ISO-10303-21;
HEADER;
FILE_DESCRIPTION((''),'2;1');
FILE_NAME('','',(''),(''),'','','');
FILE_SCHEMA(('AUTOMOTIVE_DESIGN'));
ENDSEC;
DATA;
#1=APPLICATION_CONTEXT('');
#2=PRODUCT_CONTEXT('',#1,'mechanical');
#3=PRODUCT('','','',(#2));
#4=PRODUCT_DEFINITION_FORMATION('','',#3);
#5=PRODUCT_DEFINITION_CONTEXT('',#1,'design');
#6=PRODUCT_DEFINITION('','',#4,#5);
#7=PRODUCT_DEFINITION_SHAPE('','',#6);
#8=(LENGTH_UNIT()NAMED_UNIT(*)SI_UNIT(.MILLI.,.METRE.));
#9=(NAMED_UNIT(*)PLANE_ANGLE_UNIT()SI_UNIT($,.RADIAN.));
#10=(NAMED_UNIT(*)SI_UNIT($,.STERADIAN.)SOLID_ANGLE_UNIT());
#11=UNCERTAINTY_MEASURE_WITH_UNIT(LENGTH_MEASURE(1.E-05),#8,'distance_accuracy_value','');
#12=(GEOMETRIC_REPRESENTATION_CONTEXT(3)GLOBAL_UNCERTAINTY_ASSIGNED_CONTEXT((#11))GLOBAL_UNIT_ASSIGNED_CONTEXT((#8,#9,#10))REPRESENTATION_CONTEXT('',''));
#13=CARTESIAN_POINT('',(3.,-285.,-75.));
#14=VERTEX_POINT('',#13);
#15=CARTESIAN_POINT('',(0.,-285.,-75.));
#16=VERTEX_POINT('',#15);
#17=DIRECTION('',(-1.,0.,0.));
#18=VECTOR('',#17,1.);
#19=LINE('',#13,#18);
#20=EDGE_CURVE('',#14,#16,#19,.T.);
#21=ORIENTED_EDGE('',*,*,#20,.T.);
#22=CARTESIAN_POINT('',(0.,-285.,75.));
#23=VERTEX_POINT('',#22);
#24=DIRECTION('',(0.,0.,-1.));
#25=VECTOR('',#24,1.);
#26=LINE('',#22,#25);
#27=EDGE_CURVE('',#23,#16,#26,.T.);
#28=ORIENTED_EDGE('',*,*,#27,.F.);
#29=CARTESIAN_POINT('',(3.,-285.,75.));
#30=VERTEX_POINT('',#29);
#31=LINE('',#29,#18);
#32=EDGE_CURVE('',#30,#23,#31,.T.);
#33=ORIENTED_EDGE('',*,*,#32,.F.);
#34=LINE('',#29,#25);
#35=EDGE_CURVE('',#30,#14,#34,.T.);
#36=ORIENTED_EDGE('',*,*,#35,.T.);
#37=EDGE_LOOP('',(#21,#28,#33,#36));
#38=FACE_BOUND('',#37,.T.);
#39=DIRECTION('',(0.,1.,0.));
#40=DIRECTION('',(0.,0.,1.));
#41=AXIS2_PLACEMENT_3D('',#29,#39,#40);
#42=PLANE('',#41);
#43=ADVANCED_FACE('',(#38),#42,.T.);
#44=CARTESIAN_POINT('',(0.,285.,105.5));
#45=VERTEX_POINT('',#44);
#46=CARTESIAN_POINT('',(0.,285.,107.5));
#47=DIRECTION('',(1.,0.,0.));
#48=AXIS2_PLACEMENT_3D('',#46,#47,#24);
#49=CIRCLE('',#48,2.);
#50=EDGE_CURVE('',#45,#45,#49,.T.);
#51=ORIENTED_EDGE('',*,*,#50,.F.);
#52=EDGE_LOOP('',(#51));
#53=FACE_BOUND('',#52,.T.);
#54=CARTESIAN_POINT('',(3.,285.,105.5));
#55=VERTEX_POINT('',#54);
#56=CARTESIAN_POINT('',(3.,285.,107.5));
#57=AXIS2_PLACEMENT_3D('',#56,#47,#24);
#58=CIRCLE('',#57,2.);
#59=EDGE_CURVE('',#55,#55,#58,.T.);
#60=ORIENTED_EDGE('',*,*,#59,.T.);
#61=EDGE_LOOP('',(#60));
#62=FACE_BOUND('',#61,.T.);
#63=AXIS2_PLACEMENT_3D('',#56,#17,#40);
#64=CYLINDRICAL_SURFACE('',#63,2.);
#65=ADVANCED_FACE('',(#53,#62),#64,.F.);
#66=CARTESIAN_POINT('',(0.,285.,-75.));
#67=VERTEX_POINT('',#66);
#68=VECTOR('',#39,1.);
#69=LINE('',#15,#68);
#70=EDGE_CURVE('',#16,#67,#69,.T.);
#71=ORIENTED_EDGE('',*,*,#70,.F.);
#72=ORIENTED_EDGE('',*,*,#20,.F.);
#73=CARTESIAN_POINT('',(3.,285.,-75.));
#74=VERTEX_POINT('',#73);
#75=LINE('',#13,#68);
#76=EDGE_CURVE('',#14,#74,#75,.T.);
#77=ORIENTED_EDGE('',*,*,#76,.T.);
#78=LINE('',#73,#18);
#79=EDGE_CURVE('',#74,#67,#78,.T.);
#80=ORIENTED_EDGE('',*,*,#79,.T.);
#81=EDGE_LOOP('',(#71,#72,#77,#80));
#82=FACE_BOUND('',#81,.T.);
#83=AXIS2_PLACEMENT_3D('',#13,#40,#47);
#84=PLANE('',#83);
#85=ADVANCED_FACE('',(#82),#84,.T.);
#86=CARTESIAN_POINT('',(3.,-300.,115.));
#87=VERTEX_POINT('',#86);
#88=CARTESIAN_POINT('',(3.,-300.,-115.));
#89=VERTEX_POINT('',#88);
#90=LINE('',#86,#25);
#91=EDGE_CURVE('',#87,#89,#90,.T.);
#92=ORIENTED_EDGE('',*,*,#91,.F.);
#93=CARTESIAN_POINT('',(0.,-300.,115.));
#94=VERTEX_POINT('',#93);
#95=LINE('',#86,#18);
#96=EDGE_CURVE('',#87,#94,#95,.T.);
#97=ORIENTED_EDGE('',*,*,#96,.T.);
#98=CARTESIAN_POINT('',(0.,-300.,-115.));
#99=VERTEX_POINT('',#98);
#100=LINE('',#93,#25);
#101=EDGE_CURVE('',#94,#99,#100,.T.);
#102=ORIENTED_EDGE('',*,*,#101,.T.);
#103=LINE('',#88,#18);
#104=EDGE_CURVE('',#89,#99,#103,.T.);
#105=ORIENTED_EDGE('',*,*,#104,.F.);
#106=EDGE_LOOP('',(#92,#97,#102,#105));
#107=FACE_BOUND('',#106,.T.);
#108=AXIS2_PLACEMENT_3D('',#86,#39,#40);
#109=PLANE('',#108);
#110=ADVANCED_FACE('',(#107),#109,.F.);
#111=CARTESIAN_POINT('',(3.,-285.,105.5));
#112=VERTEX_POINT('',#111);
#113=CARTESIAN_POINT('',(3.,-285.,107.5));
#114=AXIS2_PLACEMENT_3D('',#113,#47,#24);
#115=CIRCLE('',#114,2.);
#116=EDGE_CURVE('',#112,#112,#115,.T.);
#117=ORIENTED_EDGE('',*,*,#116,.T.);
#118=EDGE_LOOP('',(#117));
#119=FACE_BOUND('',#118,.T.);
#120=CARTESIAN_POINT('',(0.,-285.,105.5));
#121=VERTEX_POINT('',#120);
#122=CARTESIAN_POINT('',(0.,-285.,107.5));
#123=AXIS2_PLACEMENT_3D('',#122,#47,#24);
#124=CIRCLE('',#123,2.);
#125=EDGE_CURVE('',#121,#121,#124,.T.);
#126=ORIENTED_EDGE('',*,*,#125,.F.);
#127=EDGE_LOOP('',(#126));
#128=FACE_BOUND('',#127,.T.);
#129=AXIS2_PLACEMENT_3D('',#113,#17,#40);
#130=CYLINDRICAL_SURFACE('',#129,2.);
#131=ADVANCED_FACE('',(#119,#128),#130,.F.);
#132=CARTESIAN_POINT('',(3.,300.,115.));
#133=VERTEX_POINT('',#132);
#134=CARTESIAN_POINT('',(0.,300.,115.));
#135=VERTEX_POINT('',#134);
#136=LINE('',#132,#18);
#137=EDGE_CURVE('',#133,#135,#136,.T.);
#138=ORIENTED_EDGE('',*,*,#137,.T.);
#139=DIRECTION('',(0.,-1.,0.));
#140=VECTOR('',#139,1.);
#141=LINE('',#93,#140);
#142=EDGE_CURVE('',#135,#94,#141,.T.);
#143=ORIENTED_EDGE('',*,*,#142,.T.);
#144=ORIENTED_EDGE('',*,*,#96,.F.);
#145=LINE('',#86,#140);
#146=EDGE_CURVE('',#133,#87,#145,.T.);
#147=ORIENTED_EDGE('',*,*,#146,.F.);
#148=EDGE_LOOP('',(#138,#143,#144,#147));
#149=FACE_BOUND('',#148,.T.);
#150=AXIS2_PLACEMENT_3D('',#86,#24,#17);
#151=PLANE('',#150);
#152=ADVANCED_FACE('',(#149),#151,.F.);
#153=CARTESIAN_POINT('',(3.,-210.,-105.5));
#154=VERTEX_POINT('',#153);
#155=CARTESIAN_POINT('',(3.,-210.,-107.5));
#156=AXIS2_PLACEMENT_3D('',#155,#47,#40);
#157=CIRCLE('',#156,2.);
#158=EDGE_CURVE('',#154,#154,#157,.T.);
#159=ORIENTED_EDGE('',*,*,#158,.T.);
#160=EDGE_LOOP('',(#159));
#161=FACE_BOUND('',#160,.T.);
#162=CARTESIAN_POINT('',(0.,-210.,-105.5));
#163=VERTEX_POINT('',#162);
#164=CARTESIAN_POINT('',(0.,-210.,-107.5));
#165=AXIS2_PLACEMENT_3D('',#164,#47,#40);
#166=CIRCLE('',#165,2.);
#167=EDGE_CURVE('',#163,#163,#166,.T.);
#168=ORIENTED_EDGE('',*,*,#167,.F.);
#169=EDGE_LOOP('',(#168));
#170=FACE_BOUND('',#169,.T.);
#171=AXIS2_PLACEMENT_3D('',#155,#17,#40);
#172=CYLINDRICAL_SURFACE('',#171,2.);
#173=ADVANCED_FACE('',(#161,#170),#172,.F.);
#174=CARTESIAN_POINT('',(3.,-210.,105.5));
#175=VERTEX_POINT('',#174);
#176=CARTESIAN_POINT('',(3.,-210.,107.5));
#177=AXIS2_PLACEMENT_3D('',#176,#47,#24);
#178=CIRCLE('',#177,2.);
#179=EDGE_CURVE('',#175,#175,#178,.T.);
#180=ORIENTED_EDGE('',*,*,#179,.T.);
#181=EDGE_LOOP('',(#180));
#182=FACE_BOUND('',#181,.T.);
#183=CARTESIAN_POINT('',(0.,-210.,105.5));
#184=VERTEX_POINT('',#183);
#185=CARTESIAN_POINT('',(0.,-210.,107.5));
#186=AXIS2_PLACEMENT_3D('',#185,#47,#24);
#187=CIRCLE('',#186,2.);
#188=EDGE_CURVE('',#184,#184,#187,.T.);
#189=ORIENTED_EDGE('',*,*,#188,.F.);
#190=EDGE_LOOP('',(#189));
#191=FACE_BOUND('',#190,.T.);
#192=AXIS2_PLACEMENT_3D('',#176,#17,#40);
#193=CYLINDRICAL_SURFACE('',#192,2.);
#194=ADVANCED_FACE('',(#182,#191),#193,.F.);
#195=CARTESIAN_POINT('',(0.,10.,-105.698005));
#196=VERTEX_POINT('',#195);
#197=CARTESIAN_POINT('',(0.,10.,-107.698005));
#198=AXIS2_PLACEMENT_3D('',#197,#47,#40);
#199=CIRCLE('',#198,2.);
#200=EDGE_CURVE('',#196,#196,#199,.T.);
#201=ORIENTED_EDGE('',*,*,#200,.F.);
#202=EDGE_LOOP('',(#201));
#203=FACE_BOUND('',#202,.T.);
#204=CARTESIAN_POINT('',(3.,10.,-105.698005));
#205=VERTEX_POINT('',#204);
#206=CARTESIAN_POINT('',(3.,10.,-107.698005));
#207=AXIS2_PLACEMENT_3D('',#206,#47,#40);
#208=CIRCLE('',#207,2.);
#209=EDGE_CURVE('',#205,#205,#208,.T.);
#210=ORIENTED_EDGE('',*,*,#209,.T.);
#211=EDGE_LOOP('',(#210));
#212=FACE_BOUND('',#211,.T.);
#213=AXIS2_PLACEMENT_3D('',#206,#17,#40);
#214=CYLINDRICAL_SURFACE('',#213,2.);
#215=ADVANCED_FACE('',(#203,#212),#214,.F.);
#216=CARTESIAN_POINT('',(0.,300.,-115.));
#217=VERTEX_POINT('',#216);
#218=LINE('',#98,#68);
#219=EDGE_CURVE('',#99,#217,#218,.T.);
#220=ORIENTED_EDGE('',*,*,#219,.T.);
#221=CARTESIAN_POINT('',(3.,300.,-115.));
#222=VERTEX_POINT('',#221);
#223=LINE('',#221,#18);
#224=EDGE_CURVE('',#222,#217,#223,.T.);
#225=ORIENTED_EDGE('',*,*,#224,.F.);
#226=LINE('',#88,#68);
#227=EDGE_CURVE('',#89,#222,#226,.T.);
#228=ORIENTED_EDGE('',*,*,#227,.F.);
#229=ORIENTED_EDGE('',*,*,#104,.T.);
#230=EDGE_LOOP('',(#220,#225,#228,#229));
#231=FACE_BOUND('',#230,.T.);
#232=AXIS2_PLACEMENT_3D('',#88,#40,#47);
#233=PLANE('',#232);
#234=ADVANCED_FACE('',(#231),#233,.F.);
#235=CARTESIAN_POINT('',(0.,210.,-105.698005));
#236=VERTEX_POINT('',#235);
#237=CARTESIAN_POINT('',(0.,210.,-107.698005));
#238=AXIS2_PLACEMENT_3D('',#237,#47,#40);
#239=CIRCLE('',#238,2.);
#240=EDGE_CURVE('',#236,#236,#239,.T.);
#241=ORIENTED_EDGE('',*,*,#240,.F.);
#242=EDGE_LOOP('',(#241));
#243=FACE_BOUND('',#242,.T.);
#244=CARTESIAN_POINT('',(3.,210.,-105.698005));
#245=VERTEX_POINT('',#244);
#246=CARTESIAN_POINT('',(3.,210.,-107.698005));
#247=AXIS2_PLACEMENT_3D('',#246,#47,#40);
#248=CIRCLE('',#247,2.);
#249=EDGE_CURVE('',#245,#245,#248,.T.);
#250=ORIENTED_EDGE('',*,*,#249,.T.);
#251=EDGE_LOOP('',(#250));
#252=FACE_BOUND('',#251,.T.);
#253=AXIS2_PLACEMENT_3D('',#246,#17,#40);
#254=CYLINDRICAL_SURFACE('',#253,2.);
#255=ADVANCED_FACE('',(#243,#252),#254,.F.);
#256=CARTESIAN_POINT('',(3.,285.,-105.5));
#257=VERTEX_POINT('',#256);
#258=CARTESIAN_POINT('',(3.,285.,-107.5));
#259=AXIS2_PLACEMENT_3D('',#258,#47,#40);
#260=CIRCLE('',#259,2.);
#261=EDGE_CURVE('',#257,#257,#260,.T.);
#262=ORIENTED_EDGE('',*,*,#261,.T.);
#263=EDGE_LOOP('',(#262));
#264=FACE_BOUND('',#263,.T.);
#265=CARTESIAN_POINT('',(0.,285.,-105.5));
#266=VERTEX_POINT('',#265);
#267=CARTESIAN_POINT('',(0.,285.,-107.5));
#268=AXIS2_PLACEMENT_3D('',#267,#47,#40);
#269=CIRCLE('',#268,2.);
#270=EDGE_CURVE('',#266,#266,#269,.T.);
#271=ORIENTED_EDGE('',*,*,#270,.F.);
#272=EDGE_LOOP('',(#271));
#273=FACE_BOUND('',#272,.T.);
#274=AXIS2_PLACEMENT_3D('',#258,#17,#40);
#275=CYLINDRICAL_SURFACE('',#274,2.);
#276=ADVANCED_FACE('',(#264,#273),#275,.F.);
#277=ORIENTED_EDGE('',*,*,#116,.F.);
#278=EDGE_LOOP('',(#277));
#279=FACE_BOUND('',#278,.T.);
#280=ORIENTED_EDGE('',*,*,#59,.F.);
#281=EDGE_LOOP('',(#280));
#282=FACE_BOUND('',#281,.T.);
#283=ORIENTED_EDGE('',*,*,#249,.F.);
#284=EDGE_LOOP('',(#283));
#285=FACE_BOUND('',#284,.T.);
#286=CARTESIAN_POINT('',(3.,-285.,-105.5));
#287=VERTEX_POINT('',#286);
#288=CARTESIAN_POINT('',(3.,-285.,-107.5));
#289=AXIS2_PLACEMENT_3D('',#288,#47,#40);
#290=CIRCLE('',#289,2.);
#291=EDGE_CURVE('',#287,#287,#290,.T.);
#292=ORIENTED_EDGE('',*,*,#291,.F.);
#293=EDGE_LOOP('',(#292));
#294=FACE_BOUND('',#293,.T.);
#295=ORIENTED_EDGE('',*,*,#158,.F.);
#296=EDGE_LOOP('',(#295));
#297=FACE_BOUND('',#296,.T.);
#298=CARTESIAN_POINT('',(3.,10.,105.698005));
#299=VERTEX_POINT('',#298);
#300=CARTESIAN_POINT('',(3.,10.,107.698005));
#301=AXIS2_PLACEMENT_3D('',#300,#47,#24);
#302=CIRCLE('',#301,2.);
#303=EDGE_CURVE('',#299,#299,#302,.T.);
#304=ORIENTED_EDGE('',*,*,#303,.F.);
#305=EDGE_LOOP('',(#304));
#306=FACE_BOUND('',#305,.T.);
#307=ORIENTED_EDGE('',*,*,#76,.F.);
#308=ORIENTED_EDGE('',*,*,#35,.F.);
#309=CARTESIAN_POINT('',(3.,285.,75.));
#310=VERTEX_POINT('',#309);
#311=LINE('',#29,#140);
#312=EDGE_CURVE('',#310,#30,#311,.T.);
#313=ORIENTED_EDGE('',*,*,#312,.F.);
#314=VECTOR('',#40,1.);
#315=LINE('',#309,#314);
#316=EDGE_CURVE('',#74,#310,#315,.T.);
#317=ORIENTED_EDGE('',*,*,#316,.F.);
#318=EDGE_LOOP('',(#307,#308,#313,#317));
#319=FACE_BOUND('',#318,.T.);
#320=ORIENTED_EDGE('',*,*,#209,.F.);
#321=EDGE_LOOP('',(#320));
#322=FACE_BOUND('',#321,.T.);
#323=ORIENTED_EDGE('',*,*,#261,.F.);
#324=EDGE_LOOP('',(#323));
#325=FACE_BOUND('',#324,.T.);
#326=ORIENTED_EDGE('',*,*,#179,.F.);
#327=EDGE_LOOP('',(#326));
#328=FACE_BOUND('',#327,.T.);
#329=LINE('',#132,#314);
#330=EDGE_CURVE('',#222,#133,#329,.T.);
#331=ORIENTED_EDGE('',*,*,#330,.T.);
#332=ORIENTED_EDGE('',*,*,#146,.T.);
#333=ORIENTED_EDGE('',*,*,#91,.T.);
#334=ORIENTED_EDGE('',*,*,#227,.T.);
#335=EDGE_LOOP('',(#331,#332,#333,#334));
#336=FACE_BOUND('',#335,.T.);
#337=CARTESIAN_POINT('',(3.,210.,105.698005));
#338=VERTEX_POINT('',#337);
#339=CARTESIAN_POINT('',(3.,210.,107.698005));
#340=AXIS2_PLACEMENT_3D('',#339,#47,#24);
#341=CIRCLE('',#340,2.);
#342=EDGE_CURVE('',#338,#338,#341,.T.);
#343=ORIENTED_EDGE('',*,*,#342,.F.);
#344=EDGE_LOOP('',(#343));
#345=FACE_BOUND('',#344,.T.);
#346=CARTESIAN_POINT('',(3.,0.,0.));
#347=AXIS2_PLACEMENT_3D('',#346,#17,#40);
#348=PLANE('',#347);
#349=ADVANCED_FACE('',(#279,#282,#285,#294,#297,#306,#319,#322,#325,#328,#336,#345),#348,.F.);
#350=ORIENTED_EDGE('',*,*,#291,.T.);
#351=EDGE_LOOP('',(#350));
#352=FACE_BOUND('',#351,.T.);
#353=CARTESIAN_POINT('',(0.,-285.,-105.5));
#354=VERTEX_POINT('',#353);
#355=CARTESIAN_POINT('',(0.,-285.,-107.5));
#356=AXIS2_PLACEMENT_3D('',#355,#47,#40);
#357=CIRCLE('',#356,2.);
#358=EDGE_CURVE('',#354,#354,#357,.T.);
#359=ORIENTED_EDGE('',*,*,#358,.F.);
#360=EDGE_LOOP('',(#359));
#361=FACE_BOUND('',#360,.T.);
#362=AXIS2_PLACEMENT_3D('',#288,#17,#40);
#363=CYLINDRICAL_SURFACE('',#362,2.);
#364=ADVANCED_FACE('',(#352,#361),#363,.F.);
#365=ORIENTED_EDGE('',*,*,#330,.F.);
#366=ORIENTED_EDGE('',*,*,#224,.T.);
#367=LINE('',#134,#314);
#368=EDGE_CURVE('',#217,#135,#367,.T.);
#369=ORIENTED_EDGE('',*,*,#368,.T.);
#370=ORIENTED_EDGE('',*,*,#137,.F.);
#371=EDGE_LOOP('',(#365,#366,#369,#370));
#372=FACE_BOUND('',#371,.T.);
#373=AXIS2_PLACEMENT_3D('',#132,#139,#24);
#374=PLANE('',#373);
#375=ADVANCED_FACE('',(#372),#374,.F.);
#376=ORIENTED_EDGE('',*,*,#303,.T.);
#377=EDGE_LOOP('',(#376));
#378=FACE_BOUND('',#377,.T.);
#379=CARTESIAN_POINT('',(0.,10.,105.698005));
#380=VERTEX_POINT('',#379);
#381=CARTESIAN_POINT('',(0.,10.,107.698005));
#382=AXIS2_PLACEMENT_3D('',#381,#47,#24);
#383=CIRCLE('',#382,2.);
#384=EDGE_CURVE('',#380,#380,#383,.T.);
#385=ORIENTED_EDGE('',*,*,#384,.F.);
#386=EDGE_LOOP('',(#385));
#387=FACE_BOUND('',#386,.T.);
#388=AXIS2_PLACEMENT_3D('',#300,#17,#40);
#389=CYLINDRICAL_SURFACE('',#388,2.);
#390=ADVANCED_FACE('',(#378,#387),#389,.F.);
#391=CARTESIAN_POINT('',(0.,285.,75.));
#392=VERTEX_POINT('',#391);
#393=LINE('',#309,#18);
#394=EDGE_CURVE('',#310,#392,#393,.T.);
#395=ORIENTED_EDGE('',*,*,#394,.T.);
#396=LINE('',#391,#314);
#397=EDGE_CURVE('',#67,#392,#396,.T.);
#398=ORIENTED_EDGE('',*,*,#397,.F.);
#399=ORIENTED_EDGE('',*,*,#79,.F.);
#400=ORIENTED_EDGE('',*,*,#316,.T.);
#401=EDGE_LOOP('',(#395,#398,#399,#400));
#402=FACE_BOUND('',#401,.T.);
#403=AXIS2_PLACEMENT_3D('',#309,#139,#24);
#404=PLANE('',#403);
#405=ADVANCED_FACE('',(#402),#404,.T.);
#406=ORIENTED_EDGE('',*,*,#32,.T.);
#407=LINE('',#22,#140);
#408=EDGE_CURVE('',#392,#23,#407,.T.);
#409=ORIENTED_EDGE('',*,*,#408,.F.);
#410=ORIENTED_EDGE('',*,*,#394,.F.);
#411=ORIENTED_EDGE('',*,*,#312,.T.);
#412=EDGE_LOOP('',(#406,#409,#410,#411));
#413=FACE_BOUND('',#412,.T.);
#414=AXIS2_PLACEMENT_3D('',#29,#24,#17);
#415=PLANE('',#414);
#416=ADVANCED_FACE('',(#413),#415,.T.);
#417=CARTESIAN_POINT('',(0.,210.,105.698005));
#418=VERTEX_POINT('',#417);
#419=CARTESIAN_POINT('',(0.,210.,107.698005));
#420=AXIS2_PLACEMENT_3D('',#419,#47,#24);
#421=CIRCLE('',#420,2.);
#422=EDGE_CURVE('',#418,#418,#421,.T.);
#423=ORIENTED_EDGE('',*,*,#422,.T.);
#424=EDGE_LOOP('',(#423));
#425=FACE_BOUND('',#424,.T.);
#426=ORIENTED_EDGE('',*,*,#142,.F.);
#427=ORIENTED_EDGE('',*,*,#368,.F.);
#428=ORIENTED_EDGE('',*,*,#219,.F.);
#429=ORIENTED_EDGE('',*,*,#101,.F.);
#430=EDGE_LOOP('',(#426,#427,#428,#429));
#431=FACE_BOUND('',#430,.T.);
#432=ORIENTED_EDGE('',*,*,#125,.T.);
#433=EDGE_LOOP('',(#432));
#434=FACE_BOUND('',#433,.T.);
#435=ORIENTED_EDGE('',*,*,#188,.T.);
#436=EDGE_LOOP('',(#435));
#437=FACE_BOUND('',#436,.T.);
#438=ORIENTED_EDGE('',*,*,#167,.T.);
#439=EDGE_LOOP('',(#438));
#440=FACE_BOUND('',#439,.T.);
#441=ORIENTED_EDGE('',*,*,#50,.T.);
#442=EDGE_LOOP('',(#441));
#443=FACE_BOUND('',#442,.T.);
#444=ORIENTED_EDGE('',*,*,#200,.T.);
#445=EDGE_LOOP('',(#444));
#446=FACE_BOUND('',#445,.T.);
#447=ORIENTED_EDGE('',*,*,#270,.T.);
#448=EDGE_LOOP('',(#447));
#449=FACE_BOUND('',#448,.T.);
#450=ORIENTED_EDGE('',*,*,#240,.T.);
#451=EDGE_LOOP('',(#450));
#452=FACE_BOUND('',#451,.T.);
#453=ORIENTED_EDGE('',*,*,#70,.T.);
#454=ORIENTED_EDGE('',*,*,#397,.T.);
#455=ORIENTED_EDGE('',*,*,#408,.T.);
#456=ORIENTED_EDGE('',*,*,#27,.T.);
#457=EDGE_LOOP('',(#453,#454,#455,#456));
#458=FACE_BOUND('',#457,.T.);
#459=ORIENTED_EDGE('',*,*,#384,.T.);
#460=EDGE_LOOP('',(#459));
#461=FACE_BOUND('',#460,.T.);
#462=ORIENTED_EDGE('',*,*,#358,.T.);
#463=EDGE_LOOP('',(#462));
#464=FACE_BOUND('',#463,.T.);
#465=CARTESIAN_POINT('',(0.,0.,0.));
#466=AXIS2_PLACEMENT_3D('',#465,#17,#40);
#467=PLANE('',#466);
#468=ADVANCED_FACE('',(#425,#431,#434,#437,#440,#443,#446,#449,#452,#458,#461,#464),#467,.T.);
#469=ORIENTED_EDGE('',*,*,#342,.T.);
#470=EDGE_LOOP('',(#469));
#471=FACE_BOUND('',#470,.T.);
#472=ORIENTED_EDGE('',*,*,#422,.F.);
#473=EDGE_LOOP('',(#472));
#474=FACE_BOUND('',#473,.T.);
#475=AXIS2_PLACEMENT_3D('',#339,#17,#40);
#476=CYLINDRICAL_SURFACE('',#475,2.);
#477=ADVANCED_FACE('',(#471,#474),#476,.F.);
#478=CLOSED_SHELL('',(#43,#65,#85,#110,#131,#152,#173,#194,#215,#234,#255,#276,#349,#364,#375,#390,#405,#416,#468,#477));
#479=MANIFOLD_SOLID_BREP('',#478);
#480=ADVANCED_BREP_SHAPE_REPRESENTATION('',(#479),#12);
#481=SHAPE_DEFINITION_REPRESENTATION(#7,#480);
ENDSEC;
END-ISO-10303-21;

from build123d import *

# Parameters (mm, degrees)
SKETCH_1_W      = 230
SKETCH_1_H      = 600
SKETCH_1_R      = 2
SKETCH_1_W_2    = 150
SKETCH_1_H_2    = 570
EXTRUDE_1_DEPTH = 3


with BuildPart() as part:
    # 草图1 → 凸台-拉伸1 (new body)
    with BuildSketch(Plane(origin=(0, 0, 0), x_dir=(0, 0, -1), z_dir=(1, 0, 0))):
        Rectangle(SKETCH_1_W, SKETCH_1_H)
        with Locations((-107.5, 285)):
            Circle(SKETCH_1_R, mode=Mode.SUBTRACT)
        with Locations((-107.698004772, 210)):
            Circle(SKETCH_1_R, mode=Mode.SUBTRACT)
        with Locations((-107.5, -210)):
            Circle(SKETCH_1_R, mode=Mode.SUBTRACT)
        with Locations((-107.5, -285)):
            Circle(SKETCH_1_R, mode=Mode.SUBTRACT)
        with Locations((-107.698004772, 10)):
            Circle(SKETCH_1_R, mode=Mode.SUBTRACT)
        with Locations((107.5, -285)):
            Circle(SKETCH_1_R, mode=Mode.SUBTRACT)
        with Locations((107.5, -210)):
            Circle(SKETCH_1_R, mode=Mode.SUBTRACT)
        with Locations((107.698004772, 210)):
            Circle(SKETCH_1_R, mode=Mode.SUBTRACT)
        with Locations((107.5, 285)):
            Circle(SKETCH_1_R, mode=Mode.SUBTRACT)
        with Locations((107.698004772, 10)):
            Circle(SKETCH_1_R, mode=Mode.SUBTRACT)
        Rectangle(SKETCH_1_W_2, SKETCH_1_H_2, mode=Mode.SUBTRACT)
    extrude(amount=EXTRUDE_1_DEPTH)


solid = part.part
